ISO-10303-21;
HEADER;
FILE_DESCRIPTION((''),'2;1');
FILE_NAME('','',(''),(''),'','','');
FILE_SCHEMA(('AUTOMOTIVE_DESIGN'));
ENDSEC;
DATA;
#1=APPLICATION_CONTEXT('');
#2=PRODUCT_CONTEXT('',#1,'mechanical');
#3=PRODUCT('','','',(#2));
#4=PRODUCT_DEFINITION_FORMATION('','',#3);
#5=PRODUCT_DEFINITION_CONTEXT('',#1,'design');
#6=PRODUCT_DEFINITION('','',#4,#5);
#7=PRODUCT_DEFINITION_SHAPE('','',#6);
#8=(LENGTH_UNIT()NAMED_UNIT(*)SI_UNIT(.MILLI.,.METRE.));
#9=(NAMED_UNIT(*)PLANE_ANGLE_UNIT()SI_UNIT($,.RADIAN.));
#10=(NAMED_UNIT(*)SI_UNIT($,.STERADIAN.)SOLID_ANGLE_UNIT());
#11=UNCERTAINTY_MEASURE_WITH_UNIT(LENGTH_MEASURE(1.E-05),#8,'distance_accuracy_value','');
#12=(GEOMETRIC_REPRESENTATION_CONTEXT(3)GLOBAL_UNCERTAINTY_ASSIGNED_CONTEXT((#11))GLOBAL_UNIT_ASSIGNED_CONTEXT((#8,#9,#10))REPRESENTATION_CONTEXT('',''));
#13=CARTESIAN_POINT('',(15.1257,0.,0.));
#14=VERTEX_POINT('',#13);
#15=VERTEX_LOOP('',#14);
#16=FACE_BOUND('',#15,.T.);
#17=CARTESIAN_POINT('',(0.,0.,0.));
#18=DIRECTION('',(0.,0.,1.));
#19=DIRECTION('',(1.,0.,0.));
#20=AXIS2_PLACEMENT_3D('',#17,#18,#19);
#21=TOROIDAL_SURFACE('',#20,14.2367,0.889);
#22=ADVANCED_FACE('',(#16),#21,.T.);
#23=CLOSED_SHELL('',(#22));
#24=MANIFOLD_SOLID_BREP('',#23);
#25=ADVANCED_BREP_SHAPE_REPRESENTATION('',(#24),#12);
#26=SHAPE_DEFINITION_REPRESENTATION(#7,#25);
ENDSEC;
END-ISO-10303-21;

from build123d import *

# Parameters (mm, degrees)
SKETCH1_R = 0.889


with BuildPart() as part:
    # Sketch1 → Revolve1 (revolve)
    with BuildSketch(Plane(origin=(0, 0, 0), x_dir=(0, -1, 0), z_dir=(1, 0, 0)), mode=Mode.PRIVATE) as revolve1_sk:
        with Locations((14.2367, 0)):
            Circle(SKETCH1_R)
    revolve(revolve1_sk.sketch.rotate(Axis((0, 0, 0.889), (0, 0, -1)), 270), axis=Axis((0, 0, 0.889), (0, 0, -1)))


solid = part.part
